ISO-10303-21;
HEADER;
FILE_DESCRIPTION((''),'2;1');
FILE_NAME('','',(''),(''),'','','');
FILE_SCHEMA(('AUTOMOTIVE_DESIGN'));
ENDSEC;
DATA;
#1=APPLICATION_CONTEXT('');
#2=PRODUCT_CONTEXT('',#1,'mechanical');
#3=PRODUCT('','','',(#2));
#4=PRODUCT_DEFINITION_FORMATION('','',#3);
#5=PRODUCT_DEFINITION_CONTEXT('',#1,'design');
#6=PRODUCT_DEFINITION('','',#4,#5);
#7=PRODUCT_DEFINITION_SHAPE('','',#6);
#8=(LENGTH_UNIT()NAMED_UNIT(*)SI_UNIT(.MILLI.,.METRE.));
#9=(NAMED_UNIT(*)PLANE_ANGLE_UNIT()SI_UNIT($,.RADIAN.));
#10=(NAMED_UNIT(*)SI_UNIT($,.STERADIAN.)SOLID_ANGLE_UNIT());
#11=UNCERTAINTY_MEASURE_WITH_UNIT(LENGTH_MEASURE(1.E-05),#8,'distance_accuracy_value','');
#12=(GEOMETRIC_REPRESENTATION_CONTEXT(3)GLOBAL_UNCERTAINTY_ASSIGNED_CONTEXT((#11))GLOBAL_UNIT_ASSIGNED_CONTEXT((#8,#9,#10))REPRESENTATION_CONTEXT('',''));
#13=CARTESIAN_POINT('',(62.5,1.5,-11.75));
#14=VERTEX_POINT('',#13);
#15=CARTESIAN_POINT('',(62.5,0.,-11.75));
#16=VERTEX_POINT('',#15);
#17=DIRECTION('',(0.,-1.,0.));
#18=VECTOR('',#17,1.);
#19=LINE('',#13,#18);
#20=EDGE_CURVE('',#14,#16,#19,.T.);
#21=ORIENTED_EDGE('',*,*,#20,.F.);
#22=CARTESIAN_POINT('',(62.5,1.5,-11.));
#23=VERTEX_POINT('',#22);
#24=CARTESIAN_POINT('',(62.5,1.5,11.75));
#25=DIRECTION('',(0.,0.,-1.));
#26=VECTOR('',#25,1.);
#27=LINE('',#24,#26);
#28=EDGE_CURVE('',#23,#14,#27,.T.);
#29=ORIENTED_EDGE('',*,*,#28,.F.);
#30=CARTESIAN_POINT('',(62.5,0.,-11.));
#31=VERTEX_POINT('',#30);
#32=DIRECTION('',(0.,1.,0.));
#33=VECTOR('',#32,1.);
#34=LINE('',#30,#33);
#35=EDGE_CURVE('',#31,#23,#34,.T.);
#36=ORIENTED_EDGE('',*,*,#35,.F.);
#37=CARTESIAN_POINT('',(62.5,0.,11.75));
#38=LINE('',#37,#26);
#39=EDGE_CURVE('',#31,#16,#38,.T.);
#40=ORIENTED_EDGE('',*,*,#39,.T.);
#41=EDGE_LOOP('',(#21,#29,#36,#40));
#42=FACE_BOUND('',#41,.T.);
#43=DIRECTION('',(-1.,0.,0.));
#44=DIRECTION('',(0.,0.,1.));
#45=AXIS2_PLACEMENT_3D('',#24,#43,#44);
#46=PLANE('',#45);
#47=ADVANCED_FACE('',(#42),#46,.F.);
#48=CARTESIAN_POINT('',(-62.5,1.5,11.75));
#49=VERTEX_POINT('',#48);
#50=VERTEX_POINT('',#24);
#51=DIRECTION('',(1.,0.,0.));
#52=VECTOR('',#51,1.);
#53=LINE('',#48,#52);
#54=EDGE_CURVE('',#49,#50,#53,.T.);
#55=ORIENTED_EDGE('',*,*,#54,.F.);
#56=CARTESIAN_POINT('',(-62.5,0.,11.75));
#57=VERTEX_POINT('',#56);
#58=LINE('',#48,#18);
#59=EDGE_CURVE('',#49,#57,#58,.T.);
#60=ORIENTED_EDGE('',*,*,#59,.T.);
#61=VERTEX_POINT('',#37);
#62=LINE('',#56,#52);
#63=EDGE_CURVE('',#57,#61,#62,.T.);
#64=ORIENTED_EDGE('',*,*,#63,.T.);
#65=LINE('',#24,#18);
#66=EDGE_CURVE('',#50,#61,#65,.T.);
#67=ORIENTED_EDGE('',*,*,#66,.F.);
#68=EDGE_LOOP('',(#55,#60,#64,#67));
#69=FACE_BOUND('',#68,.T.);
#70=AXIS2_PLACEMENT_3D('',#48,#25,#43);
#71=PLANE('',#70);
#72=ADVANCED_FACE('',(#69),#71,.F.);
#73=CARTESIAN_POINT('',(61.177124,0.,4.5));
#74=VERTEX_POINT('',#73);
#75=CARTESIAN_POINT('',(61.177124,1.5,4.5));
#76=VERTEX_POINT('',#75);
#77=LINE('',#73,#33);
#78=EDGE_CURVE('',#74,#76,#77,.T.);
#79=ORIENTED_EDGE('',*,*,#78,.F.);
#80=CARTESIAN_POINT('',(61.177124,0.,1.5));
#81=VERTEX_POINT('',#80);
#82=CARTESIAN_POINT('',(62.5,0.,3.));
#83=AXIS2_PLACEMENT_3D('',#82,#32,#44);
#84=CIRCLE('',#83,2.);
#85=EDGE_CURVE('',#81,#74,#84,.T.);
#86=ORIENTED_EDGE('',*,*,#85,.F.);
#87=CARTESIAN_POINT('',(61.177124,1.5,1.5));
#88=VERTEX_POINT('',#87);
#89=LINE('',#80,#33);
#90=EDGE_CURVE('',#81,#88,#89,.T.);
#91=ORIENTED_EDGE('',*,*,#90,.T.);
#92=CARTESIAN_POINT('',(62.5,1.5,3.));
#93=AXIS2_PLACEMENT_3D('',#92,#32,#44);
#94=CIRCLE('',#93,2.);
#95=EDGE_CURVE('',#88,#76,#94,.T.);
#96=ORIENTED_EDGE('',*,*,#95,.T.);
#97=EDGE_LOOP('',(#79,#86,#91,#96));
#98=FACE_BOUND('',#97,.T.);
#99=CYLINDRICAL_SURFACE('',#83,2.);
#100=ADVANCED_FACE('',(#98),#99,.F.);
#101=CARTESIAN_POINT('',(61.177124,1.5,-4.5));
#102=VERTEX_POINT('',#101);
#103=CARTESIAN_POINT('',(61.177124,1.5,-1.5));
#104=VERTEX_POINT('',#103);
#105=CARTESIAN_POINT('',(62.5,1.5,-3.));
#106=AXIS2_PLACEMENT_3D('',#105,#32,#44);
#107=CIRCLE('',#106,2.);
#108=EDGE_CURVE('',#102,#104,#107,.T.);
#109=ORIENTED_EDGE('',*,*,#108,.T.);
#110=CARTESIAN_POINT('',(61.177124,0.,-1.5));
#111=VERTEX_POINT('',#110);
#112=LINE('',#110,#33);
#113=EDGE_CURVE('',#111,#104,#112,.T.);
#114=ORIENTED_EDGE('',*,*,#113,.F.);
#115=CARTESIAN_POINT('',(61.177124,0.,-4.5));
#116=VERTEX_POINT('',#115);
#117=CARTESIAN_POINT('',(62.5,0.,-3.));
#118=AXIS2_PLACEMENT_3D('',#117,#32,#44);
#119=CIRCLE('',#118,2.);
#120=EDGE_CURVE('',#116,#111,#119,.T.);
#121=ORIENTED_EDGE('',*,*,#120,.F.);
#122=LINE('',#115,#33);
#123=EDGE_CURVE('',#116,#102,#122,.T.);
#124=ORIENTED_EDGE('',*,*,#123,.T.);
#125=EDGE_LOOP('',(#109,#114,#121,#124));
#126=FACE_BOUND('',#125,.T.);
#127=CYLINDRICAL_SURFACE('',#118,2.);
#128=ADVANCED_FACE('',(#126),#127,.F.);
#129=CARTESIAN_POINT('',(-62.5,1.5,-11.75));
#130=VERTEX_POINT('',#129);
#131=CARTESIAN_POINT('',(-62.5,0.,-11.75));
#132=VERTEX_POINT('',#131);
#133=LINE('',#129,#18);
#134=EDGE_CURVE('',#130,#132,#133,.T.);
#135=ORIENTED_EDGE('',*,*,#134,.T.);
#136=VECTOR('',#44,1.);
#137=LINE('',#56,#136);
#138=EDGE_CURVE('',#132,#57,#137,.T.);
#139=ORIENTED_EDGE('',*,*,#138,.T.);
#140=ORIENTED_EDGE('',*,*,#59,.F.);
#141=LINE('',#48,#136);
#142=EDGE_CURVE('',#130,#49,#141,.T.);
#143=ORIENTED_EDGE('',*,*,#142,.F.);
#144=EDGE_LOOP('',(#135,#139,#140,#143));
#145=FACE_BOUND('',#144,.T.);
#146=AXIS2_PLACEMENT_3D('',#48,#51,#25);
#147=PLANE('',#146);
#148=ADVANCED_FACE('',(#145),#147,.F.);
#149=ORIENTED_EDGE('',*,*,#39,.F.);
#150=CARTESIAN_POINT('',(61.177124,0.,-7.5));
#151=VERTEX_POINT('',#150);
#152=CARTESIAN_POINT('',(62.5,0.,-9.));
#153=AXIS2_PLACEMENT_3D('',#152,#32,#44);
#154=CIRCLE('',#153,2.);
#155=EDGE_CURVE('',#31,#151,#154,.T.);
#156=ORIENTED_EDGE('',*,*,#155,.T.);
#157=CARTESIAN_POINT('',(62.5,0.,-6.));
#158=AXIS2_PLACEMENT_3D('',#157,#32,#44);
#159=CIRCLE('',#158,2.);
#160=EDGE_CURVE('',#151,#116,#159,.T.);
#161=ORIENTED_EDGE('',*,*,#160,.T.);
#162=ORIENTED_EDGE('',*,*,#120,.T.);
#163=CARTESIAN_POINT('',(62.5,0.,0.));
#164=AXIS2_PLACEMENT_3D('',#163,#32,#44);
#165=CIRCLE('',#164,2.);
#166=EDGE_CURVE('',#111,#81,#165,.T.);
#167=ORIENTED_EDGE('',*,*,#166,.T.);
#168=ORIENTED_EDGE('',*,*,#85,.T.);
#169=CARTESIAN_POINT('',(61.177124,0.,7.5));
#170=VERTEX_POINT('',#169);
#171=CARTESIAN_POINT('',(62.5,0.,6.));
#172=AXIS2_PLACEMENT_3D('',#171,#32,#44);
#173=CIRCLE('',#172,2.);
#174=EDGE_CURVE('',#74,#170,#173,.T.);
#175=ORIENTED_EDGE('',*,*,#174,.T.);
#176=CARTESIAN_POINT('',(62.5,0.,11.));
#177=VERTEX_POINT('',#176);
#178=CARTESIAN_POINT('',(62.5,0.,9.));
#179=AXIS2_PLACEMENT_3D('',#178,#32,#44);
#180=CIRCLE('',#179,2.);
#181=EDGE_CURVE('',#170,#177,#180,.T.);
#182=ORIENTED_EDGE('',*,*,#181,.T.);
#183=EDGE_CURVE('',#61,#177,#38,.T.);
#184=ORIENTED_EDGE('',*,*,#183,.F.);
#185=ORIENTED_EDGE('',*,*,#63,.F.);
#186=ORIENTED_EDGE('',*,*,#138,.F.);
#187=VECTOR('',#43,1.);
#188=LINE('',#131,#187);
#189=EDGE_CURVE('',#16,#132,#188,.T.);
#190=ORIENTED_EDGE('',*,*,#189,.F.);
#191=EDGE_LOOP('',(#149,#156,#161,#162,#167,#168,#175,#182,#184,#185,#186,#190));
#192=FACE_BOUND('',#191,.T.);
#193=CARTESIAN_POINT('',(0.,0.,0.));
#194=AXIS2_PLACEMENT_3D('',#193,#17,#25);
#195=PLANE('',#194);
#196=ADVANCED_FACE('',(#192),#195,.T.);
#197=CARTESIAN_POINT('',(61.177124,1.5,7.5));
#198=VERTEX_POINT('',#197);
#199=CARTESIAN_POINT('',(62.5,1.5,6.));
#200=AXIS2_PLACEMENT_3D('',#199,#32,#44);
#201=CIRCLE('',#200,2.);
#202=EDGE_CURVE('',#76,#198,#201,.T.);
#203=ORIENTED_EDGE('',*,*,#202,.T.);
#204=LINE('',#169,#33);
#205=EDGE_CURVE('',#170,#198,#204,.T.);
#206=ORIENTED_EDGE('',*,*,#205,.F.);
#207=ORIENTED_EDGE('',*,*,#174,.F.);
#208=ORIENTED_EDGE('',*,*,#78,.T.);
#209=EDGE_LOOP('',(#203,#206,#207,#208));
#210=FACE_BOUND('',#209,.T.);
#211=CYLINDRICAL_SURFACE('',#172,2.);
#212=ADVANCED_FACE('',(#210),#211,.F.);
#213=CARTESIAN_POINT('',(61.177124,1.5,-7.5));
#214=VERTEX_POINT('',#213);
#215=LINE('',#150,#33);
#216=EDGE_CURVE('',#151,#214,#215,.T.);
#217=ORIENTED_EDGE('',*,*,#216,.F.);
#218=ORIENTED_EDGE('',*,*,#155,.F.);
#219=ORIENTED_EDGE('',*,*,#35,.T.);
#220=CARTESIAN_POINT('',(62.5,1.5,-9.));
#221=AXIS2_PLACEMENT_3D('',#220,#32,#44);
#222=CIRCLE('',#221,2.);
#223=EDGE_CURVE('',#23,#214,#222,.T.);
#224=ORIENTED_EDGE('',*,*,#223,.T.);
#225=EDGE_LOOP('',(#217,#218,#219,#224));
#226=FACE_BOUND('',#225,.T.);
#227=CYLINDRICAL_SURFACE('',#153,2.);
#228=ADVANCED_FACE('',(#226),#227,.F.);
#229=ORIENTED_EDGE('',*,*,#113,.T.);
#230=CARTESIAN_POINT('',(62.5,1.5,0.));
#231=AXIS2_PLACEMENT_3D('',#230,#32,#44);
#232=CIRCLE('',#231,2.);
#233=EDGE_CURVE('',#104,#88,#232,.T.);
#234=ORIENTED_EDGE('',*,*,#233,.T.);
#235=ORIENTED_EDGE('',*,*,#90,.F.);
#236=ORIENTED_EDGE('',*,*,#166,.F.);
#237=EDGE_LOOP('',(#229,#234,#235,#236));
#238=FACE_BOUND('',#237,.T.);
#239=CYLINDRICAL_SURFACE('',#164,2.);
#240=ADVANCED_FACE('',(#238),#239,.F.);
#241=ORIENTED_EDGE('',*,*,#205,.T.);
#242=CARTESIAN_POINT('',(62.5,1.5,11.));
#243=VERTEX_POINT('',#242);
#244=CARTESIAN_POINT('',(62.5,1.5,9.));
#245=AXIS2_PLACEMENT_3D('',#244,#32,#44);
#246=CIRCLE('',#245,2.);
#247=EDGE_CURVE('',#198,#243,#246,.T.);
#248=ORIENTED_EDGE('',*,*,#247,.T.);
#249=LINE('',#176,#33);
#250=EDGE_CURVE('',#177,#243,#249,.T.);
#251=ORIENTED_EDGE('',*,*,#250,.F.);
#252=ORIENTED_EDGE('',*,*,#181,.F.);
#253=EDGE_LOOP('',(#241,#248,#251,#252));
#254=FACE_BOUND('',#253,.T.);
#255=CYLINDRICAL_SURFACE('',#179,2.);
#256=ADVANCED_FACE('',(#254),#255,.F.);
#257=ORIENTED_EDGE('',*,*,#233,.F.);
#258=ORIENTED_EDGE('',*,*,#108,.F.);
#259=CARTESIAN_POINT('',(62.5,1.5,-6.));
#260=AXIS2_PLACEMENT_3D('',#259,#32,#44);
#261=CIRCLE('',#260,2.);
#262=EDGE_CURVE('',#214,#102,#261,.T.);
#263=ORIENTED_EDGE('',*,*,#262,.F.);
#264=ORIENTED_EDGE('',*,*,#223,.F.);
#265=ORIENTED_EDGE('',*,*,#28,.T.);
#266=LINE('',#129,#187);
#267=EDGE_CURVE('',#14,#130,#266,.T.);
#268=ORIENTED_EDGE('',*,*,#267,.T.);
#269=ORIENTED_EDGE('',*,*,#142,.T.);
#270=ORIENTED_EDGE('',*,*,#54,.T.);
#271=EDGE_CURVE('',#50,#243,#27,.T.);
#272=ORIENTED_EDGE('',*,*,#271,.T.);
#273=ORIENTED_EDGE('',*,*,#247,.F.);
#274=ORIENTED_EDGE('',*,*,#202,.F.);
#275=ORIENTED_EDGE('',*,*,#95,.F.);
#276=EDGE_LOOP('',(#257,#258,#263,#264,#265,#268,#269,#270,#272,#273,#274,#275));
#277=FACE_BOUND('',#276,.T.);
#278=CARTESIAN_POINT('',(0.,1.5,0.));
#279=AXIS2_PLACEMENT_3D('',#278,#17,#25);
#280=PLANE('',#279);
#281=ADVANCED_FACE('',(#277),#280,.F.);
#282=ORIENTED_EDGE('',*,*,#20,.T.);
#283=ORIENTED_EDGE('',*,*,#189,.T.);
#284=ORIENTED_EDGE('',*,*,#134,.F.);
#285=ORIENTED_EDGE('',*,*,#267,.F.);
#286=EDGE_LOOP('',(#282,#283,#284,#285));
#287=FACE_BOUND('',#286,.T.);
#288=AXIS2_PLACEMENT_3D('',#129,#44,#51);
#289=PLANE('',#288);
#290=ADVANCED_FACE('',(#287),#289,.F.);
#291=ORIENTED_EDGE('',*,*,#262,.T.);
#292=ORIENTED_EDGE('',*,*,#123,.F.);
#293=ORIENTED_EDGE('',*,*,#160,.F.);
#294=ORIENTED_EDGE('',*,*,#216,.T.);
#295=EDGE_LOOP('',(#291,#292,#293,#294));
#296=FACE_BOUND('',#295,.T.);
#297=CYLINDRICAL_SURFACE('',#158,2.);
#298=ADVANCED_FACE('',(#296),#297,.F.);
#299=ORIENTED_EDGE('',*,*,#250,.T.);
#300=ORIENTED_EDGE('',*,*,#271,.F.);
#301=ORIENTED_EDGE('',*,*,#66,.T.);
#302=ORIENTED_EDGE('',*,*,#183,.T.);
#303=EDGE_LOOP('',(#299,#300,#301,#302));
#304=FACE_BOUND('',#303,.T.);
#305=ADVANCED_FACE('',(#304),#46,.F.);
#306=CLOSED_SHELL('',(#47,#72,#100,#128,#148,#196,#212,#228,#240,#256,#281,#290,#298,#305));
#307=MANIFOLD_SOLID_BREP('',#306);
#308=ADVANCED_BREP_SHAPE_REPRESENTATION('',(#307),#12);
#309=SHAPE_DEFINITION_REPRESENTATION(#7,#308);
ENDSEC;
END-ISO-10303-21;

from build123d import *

# Parameters (mm, degrees)
SKETCH_1_W          = 125
SKETCH_1_H          = 23.5
EXTRUDE_1_DEPTH     = 1.5
CUT_EXTRUDE_1_DEPTH = 64.612597023


with BuildPart() as part:
    # Эскиз1 → Бобышка-Вытянуть1 (new body)
    with BuildSketch(Plane(origin=(0, 0, 0), x_dir=(1, 0, 0), z_dir=(0, 1, 0))):
        Rectangle(SKETCH_1_W, SKETCH_1_H)
    extrude(amount=EXTRUDE_1_DEPTH)

    # Эскиз2 → Вырез-Вытянуть1 (cut, through all)
    with BuildSketch(Plane(origin=(0, 1.5, 0), x_dir=(1, 0, 0), z_dir=(0, 1, 0))):
        with BuildLine():
            ThreePointArc((62.5, 11), (60.629171307, 9.707106781), (61.177124344, 7.5))
            ThreePointArc((61.177124344, 7.5), (61.792893219, 7.870828693), (62.5, 8))
            Line((62.5, 8), (62.5, 11))
        make_face()
        with BuildLine():
            ThreePointArc((62.5, 8), (61.792893219, 7.870828693), (61.177124344, 7.5))
            ThreePointArc((61.177124344, 7.5), (61.792893219, 7.129171307), (62.5, 7))
            Line((62.5, 7), (62.5, 8))
        make_face()
        with BuildLine():
            Line((62.5, 8), (62.5, 7))
            ThreePointArc((62.5, 7), (63.207106781, 7.129171307), (63.822875656, 7.5))
            ThreePointArc((63.822875656, 7.5), (63.207106781, 7.870828693), (62.5, 8))
        make_face()
        with BuildLine():
            ThreePointArc((62.5, 8), (63.207106781, 7.870828693), (63.822875656, 7.5))
            ThreePointArc((63.822875656, 7.5), (64.322875656, 8.177124344), (64.5, 9))
            ThreePointArc((64.5, 9), (63.914213562, 10.414213562), (62.5, 11))
            Line((62.5, 11), (62.5, 8))
        make_face()
        with BuildLine():
            ThreePointArc((62.5, 5), (63.207106781, 4.870828693), (63.822875656, 4.5))
            ThreePointArc((63.822875656, 4.5), (64.322875656, 5.177124344), (64.5, 6))
            ThreePointArc((64.5, 6), (64.322875656, 6.822875656), (63.822875656, 7.5))
            ThreePointArc((63.822875656, 7.5), (63.207106781, 7.129171307), (62.5, 7))
            Line((62.5, 7), (62.5, 5))
        make_face()
        with BuildLine():
            ThreePointArc((61.177124344, 7.5), (60.5, 6), (61.177124344, 4.5))
            ThreePointArc((61.177124344, 4.5), (61.792893219, 4.870828693), (62.5, 5))
            Line((62.5, 5), (62.5, 7))
            ThreePointArc((62.5, 7), (61.792893219, 7.129171307), (61.177124344, 7.5))
        make_face()
        with BuildLine():
            Line((62.5, 5), (62.5, 4))
            ThreePointArc((62.5, 4), (63.207106781, 4.129171307), (63.822875656, 4.5))
            ThreePointArc((63.822875656, 4.5), (63.207106781, 4.870828693), (62.5, 5))
        make_face()
        with BuildLine():
            ThreePointArc((61.177124344, 4.5), (61.792893219, 4.129171307), (62.5, 4))
            Line((62.5, 4), (62.5, 5))
            ThreePointArc((62.5, 5), (61.792893219, 4.870828693), (61.177124344, 4.5))
        make_face()
        with BuildLine():
            ThreePointArc((62.5, 2), (63.207106781, 1.870828693), (63.822875656, 1.5))
            ThreePointArc((63.822875656, 1.5), (64.322875656, 2.177124344), (64.5, 3))
            ThreePointArc((64.5, 3), (64.322875656, 3.822875656), (63.822875656, 4.5))
            ThreePointArc((63.822875656, 4.5), (63.207106781, 4.129171307), (62.5, 4))
            Line((62.5, 4), (62.5, 2))
        make_face()
        with BuildLine():
            ThreePointArc((61.177124344, 1.5), (61.792893219, 1.870828693), (62.5, 2))
            Line((62.5, 2), (62.5, 4))
            ThreePointArc((62.5, 4), (61.792893219, 4.129171307), (61.177124344, 4.5))
            ThreePointArc((61.177124344, 4.5), (60.5, 3), (61.177124344, 1.5))
        make_face()
        with BuildLine():
            ThreePointArc((62.5, 1), (63.207106781, 1.129171307), (63.822875656, 1.5))
            ThreePointArc((63.822875656, 1.5), (63.207106781, 1.870828693), (62.5, 2))
            Line((62.5, 2), (62.5, 1))
        make_face()
        with BuildLine():
            Line((62.5, 1), (62.5, 2))
            ThreePointArc((62.5, 2), (61.792893219, 1.870828693), (61.177124344, 1.5))
            ThreePointArc((61.177124344, 1.5), (61.792893219, 1.129171307), (62.5, 1))
        make_face()
        with BuildLine():
            ThreePointArc((63.822875656, -1.5), (64.322875656, -0.822875656), (64.5, 0))
            ThreePointArc((64.5, 0), (64.322875656, 0.822875656), (63.822875656, 1.5))
            ThreePointArc((63.822875656, 1.5), (63.207106781, 1.129171307), (62.5, 1))
            Line((62.5, 1), (62.5, -1))
            ThreePointArc((62.5, -1), (63.207106781, -1.129171307), (63.822875656, -1.5))
        make_face()
        with BuildLine():
            Line((62.5, -1), (62.5, 1))
            ThreePointArc((62.5, 1), (61.792893219, 1.129171307), (61.177124344, 1.5))
            ThreePointArc((61.177124344, 1.5), (60.5, 0), (61.177124344, -1.5))
            ThreePointArc((61.177124344, -1.5), (61.792893219, -1.129171307), (62.5, -1))
        make_face()
        with BuildLine():
            ThreePointArc((62.5, -2), (63.207106781, -1.870828693), (63.822875656, -1.5))
            ThreePointArc((63.822875656, -1.5), (63.207106781, -1.129171307), (62.5, -1))
            Line((62.5, -1), (62.5, -2))
        make_face()
        with BuildLine():
            ThreePointArc((61.177124344, -1.5), (61.792893219, -1.870828693), (62.5, -2))
            Line((62.5, -2), (62.5, -1))
            ThreePointArc((62.5, -1), (61.792893219, -1.129171307), (61.177124344, -1.5))
        make_face()
        with BuildLine():
            ThreePointArc((64.5, -3), (64.322875656, -2.177124344), (63.822875656, -1.5))
            ThreePointArc((63.822875656, -1.5), (63.207106781, -1.870828693), (62.5, -2))
            Line((62.5, -2), (62.5, -4))
            ThreePointArc((62.5, -4), (63.207106781, -4.129171307), (63.822875656, -4.5))
            ThreePointArc((63.822875656, -4.5), (64.322875656, -3.822875656), (64.5, -3))
        make_face()
        with BuildLine():
            Line((62.5, -4), (62.5, -2))
            ThreePointArc((62.5, -2), (61.792893219, -1.870828693), (61.177124344, -1.5))
            ThreePointArc((61.177124344, -1.5), (60.5, -3), (61.177124344, -4.5))
            ThreePointArc((61.177124344, -4.5), (61.792893219, -4.129171307), (62.5, -4))
        make_face()
        with BuildLine():
            Line((62.5, -5), (62.5, -4))
            ThreePointArc((62.5, -4), (61.792893219, -4.129171307), (61.177124344, -4.5))
            ThreePointArc((61.177124344, -4.5), (61.792893219, -4.870828693), (62.5, -5))
        make_face()
        with BuildLine():
            ThreePointArc((63.822875656, -4.5), (63.207106781, -4.129171307), (62.5, -4))
            Line((62.5, -4), (62.5, -5))
            ThreePointArc((62.5, -5), (63.207106781, -4.870828693), (63.822875656, -4.5))
        make_face()
        with BuildLine():
            ThreePointArc((64.5, -6), (64.322875656, -5.177124344), (63.822875656, -4.5))
            ThreePointArc((63.822875656, -4.5), (63.207106781, -4.870828693), (62.5, -5))
            Line((62.5, -5), (62.5, -7))
            ThreePointArc((62.5, -7), (63.207106781, -7.129171307), (63.822875656, -7.5))
            ThreePointArc((63.822875656, -7.5), (64.322875656, -6.822875656), (64.5, -6))
        make_face()
        with BuildLine():
            ThreePointArc((62.5, -5), (61.792893219, -4.870828693), (61.177124344, -4.5))
            ThreePointArc((61.177124344, -4.5), (60.5, -6), (61.177124344, -7.5))
            ThreePointArc((61.177124344, -7.5), (61.792893219, -7.129171307), (62.5, -7))
            Line((62.5, -7), (62.5, -5))
        make_face()
        with BuildLine():
            ThreePointArc((62.5, -7), (61.792893219, -7.129171307), (61.177124344, -7.5))
            ThreePointArc((61.177124344, -7.5), (61.792893219, -7.870828693), (62.5, -8))
            Line((62.5, -8), (62.5, -7))
        make_face()
        with BuildLine():
            ThreePointArc((62.5, -8), (61.792893219, -7.870828693), (61.177124344, -7.5))
            ThreePointArc((61.177124344, -7.5), (60.629171307, -9.707106781), (62.5, -11))
            Line((62.5, -11), (62.5, -8))
        make_face()
        with BuildLine():
            ThreePointArc((63.822875656, -7.5), (63.207106781, -7.129171307), (62.5, -7))
            Line((62.5, -7), (62.5, -8))
            ThreePointArc((62.5, -8), (63.207106781, -7.870828693), (63.822875656, -7.5))
        make_face()
        with BuildLine():
            ThreePointArc((64.5, -9), (64.322875656, -8.177124344), (63.822875656, -7.5))
            ThreePointArc((63.822875656, -7.5), (63.207106781, -7.870828693), (62.5, -8))
            Line((62.5, -8), (62.5, -11))
            ThreePointArc((62.5, -11), (63.914213562, -10.414213562), (64.5, -9))
        make_face()
    extrude(amount=-CUT_EXTRUDE_1_DEPTH, mode=Mode.SUBTRACT)


solid = part.part
